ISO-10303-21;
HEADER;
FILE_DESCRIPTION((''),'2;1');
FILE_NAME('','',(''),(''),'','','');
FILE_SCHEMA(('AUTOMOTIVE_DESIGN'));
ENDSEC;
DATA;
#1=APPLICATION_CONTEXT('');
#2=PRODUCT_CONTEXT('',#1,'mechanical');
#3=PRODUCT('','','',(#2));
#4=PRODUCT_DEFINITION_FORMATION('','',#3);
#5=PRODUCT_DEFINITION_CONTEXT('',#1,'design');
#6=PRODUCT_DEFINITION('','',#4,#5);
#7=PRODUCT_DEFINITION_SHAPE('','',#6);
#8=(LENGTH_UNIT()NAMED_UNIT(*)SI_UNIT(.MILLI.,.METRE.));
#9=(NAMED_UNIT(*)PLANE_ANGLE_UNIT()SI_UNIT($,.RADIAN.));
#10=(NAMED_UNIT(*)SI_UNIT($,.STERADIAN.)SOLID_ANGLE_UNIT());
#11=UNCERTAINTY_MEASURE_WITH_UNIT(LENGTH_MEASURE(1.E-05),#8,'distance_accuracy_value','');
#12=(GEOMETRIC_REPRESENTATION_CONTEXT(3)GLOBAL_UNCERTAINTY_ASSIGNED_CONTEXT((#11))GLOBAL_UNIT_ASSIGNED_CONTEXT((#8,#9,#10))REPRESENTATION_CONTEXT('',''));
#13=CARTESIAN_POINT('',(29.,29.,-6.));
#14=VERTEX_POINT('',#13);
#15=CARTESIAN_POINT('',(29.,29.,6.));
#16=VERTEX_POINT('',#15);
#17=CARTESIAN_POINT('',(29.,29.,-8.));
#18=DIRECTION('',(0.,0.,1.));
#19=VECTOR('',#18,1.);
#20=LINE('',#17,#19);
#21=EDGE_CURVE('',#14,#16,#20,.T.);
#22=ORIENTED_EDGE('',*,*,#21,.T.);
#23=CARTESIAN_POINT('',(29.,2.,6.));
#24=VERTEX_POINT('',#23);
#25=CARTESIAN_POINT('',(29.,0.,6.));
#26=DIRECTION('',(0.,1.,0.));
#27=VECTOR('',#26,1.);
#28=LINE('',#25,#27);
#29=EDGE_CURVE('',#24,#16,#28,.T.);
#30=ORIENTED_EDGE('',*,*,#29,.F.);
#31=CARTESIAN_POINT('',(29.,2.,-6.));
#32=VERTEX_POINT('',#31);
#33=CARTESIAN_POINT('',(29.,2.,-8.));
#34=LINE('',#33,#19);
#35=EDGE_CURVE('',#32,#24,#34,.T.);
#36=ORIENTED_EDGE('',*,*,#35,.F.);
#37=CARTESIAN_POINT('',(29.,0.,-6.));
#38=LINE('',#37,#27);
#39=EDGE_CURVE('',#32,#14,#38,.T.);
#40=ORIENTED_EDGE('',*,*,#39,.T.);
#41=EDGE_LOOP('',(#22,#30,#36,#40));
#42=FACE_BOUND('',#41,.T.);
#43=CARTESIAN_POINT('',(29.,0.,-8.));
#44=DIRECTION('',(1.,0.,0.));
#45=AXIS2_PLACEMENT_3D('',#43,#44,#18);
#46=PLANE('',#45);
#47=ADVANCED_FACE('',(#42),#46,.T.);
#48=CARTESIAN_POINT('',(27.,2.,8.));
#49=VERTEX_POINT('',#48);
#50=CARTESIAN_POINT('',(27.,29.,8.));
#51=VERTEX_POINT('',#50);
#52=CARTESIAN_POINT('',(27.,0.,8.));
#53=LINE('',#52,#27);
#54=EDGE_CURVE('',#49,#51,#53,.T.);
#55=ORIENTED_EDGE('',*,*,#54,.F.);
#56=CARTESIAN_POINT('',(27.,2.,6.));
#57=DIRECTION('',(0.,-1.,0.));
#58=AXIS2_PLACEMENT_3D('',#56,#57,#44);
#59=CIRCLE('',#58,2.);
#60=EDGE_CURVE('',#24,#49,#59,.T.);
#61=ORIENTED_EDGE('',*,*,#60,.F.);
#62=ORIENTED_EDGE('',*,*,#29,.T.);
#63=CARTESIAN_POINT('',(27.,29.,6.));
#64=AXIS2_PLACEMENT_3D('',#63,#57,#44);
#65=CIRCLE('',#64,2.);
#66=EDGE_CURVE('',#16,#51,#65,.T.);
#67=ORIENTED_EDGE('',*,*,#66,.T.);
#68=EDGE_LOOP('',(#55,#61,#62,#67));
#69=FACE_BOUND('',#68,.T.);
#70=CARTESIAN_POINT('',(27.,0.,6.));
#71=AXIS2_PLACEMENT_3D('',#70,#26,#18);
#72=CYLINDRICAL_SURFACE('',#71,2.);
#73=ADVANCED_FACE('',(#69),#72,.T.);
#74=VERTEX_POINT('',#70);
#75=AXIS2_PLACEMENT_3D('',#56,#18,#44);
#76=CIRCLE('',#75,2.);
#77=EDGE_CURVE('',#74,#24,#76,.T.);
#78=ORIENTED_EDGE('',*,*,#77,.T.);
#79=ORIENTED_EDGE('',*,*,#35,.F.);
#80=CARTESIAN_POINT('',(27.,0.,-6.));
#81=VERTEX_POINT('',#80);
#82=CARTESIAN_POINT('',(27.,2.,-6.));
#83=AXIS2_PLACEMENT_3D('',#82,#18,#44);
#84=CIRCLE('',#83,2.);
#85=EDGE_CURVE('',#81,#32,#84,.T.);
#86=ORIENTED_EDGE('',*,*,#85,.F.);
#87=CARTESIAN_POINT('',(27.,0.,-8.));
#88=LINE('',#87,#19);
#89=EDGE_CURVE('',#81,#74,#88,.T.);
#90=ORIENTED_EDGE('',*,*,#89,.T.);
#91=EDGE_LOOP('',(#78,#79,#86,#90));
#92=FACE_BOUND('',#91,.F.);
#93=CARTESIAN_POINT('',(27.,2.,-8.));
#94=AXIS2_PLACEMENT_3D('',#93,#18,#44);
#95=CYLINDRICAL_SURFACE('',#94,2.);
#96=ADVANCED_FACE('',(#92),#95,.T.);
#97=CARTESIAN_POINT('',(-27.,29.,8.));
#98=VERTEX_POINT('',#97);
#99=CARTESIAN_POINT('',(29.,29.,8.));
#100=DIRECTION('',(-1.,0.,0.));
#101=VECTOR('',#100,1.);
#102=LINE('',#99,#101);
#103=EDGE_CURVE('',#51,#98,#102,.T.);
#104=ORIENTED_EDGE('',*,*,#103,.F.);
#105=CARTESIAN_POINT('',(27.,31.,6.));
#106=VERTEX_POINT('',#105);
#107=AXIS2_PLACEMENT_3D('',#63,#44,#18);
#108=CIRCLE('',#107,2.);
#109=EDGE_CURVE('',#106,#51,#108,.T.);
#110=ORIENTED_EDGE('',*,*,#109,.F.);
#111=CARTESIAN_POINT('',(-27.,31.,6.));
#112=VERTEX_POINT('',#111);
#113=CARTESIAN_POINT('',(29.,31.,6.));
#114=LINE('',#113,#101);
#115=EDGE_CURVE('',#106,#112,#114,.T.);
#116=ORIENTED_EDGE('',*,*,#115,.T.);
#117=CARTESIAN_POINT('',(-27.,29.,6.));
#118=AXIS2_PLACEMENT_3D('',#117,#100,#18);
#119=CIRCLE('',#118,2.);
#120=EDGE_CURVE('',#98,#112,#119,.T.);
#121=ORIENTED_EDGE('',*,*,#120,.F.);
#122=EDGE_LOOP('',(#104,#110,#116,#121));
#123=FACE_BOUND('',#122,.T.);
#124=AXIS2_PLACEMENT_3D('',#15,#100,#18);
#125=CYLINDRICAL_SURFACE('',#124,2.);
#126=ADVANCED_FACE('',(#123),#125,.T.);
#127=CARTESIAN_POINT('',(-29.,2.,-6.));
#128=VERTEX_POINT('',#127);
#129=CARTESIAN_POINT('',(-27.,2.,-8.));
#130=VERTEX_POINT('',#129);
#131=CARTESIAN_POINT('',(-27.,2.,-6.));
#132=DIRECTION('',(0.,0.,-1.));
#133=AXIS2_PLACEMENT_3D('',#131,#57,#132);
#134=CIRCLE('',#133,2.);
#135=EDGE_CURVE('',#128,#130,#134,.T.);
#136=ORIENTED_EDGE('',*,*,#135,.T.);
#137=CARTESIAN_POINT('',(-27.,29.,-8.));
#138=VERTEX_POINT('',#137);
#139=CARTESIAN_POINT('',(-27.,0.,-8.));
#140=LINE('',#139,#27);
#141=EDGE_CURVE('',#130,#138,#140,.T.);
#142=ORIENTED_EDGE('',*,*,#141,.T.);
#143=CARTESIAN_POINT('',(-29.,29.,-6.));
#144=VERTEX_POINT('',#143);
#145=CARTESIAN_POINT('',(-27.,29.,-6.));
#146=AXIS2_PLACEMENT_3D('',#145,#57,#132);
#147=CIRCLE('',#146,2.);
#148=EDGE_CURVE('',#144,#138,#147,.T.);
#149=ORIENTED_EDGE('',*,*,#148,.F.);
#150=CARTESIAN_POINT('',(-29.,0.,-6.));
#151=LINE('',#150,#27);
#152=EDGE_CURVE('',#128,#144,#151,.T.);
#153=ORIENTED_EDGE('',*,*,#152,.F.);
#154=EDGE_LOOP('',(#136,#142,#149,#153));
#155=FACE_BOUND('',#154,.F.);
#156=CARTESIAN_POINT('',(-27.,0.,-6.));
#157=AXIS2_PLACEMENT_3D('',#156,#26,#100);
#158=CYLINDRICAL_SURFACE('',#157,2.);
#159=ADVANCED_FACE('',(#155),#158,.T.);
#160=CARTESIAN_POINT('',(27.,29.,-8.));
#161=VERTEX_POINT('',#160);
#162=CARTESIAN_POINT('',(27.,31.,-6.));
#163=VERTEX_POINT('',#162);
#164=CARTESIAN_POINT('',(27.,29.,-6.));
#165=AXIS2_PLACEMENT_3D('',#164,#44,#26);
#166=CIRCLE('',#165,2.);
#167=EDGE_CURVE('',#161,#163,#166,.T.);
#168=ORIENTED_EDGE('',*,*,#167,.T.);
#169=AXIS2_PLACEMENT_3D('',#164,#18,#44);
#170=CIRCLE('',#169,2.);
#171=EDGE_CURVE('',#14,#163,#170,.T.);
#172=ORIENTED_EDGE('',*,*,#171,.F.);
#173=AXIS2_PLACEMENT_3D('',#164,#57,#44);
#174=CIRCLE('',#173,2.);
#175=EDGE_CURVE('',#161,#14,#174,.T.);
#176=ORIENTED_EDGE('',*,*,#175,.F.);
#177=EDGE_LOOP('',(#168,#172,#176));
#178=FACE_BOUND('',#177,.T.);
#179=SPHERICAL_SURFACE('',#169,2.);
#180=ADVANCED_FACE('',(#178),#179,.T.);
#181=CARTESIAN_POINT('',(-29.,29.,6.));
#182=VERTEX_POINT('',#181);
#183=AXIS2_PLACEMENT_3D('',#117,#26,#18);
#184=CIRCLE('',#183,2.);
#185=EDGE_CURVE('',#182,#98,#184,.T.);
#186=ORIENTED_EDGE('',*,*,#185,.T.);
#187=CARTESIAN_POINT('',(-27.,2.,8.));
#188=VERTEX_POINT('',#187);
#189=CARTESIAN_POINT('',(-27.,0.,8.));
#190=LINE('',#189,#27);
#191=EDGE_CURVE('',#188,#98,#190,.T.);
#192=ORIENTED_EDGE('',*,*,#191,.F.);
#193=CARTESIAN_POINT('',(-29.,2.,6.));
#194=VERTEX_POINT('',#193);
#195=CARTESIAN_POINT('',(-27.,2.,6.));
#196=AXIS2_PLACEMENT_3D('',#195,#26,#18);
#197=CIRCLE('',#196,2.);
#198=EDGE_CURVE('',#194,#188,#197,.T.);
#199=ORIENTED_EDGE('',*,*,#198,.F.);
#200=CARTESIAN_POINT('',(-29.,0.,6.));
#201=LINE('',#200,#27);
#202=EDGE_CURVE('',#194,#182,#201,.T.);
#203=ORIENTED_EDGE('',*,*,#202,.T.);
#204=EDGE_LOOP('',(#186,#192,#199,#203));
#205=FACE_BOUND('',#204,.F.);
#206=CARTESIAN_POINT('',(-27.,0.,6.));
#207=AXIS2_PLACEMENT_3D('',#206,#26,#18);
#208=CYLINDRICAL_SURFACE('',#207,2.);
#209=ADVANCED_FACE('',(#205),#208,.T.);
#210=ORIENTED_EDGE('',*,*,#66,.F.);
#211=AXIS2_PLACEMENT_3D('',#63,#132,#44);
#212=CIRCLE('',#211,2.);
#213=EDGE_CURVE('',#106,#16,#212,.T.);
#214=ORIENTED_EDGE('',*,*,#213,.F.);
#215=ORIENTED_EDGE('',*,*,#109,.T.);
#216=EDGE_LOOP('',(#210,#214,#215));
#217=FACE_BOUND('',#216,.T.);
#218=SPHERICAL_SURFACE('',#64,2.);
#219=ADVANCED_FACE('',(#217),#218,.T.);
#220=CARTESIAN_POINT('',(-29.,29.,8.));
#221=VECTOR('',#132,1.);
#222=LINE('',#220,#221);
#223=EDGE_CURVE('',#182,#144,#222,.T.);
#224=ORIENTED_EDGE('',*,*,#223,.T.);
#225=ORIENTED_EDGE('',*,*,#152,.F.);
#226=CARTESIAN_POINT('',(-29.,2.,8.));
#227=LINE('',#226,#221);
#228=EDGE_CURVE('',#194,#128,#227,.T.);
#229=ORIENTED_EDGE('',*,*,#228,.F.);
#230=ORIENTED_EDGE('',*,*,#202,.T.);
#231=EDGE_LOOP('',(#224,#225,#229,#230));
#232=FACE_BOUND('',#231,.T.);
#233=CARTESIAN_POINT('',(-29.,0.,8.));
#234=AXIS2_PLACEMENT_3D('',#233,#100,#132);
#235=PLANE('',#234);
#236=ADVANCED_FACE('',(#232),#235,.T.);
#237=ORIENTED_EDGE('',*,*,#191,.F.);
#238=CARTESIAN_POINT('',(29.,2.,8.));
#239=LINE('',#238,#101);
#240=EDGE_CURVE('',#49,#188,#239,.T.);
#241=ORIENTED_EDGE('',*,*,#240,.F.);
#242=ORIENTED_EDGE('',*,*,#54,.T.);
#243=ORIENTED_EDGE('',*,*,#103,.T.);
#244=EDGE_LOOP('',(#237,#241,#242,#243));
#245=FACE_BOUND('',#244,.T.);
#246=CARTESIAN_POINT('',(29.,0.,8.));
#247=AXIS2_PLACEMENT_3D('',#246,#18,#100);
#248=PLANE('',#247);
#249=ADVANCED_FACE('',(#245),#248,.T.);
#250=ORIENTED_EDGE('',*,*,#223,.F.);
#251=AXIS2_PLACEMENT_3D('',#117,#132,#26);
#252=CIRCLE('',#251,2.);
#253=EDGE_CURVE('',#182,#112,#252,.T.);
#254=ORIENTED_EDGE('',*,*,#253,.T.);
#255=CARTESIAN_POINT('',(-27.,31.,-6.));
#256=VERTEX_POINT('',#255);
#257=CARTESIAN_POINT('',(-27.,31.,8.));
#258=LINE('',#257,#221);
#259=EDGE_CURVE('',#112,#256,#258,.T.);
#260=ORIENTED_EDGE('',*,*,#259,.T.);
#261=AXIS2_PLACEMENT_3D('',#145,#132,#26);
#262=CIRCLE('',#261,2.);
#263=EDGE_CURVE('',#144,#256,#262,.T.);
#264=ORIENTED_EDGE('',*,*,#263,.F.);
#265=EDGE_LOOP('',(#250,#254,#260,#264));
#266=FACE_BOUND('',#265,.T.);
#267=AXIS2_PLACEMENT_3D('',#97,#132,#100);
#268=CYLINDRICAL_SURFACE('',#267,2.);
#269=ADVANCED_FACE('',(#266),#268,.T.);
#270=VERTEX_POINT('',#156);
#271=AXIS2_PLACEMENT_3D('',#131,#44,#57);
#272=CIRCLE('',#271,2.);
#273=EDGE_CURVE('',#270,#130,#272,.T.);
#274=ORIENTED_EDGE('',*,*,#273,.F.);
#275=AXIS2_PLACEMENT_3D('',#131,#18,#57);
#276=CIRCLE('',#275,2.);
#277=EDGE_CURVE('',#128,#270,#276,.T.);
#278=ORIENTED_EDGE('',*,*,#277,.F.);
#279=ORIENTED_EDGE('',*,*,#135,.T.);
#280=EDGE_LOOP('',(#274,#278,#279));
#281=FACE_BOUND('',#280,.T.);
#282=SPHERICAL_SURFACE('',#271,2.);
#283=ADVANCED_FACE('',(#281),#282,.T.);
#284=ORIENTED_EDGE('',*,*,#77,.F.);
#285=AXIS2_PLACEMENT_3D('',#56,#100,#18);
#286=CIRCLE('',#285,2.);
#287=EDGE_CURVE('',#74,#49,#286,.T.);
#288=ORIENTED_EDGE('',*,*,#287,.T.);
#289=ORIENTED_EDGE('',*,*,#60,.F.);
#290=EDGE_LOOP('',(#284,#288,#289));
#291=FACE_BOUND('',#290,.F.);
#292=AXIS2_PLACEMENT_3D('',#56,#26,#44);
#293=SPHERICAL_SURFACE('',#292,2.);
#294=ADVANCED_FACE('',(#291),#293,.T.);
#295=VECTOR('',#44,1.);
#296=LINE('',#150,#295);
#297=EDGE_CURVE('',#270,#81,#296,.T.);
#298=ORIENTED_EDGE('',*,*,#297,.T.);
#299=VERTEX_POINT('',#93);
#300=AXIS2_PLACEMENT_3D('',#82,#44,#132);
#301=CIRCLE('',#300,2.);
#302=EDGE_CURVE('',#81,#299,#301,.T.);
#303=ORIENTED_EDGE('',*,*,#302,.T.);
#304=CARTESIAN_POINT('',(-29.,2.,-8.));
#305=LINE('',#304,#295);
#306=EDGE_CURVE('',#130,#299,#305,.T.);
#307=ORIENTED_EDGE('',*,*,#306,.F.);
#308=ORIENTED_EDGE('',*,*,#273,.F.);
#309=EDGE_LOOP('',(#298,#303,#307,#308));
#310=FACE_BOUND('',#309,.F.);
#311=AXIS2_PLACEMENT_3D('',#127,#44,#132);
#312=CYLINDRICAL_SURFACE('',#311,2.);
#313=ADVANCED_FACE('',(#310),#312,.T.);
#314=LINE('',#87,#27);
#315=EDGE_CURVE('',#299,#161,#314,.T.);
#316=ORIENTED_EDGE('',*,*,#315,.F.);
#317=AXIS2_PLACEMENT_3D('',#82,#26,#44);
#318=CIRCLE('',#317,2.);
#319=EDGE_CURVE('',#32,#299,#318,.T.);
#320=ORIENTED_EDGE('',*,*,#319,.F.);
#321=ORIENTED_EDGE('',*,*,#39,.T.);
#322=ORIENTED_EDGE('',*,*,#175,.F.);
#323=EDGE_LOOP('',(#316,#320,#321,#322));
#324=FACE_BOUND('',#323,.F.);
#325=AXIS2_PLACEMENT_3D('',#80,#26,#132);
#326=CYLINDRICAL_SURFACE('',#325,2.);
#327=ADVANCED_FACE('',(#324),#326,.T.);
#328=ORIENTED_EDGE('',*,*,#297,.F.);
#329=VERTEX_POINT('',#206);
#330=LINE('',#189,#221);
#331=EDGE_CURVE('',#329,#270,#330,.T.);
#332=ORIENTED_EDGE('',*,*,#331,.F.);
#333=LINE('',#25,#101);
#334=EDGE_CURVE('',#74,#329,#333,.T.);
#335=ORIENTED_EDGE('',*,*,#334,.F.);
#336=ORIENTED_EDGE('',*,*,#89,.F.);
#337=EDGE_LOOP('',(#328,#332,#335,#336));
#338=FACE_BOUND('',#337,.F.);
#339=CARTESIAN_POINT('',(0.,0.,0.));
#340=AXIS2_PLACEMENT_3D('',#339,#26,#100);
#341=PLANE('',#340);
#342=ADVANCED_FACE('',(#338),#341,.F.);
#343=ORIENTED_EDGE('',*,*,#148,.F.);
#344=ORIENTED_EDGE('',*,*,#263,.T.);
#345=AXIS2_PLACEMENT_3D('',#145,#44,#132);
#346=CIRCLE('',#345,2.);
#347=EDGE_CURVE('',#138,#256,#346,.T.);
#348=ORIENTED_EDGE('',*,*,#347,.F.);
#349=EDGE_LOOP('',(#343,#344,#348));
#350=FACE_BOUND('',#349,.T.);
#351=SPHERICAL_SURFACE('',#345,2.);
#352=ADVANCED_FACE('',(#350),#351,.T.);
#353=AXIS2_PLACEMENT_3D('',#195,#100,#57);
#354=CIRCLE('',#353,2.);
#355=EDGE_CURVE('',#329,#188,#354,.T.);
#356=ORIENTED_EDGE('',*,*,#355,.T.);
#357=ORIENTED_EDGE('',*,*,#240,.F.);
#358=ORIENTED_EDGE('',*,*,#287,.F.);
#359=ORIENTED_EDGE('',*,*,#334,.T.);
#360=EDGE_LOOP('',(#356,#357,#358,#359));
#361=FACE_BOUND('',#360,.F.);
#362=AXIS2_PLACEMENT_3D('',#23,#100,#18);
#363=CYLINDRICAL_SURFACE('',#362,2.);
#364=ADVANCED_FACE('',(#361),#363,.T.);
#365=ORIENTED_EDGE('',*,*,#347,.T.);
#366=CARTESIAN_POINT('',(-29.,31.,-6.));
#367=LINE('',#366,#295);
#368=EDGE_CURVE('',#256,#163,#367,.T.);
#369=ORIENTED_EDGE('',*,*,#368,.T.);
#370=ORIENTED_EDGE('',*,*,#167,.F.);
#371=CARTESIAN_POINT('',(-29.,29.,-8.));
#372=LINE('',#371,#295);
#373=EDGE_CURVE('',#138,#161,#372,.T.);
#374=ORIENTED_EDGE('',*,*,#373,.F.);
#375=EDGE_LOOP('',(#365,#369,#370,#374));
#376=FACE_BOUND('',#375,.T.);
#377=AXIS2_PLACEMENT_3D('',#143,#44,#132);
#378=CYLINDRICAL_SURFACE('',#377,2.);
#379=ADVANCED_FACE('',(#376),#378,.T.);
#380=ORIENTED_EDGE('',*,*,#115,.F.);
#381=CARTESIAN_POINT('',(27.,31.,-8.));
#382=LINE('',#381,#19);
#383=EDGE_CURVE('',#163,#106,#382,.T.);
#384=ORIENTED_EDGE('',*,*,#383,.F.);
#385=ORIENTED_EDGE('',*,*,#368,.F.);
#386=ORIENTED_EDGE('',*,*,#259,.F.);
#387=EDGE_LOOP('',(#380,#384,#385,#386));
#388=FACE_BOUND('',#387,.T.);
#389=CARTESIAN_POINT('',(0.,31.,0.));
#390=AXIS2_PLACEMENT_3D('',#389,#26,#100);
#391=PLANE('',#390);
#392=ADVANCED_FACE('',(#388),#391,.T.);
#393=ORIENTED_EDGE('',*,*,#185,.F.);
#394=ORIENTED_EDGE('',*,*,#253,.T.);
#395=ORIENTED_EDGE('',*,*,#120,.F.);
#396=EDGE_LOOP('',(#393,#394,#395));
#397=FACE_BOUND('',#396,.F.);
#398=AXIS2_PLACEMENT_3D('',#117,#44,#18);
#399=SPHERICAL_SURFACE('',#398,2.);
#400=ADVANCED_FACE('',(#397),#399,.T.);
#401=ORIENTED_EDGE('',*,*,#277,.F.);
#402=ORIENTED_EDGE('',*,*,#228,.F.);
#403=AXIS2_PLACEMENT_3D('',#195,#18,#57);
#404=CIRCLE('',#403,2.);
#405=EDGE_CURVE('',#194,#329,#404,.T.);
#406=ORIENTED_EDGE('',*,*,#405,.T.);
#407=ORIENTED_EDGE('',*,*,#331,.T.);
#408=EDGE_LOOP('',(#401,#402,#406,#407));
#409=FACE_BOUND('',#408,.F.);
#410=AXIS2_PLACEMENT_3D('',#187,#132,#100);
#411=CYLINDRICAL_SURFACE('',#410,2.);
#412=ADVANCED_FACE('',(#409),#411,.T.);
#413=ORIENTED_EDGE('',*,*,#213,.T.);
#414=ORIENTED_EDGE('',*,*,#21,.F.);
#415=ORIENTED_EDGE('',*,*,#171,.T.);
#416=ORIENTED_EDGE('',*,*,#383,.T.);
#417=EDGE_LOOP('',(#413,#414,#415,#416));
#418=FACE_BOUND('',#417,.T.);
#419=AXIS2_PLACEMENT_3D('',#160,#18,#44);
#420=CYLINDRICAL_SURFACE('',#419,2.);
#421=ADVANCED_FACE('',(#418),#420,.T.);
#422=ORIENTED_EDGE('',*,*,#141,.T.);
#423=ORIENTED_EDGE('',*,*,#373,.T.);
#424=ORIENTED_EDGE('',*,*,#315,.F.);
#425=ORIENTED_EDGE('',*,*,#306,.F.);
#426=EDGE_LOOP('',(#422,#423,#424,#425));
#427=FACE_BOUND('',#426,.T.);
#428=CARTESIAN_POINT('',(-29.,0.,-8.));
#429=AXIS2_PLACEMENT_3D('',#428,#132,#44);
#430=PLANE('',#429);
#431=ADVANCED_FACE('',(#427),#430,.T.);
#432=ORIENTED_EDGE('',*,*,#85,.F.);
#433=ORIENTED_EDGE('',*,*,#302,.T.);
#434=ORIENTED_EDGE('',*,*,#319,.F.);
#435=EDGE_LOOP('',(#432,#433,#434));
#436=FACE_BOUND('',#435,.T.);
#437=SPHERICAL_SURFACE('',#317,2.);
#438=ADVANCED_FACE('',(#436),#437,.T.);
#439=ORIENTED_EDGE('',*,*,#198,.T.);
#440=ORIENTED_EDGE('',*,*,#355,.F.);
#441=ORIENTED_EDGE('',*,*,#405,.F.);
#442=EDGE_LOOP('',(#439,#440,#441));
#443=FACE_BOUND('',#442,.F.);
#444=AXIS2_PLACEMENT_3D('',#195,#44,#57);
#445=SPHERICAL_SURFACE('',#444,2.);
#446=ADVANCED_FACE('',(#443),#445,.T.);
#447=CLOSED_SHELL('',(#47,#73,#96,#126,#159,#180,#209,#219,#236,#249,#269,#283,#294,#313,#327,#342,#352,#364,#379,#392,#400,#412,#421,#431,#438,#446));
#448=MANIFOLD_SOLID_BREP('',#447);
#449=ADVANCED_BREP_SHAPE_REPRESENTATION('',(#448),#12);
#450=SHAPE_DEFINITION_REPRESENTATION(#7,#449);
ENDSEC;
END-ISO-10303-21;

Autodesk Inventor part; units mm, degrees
ref_plane "YZ Plane" through (0, 0, 0) normal (1, 0, 0) x (0, 1, 0)
ref_plane "XZ Plane" through (0, 0, 0) normal (0, 1, 0) x (-1, 0, 0)
ref_plane "XY Plane" through (0, 0, 0) normal (0, 0, 1) x (1, 0, 0)
sketch "Esboço1" plane through (0, 0, 0) normal (0, 1, 0) x (-1, 0, 0)
  line L0 (-29, 8) -> (29, 8)
  line L1 (29, 8) -> (29, -8)
  line L2 (29, -8) -> (-29, -8)
  line L3 (-29, -8) -> (-29, 8)
  line L4 (-29, 8) -> (29, -8) construction
  line L5 (29, 8) -> (-29, -8) construction
  point P0 (0, 0)
  dimension "d0" = 58
  dimension "d1" = 16
extrude "Extrusão1" add sketch "Esboço1" along normal blind 31
fillet "Arredondamento1" radius 2 12 edges at (29, 15.5, 8) (29, 31, 0) (0, 31, 8) (29, 15.5, -8) (0, 31, -8) (29, 0, 0) (0, 0, 8) (0, 0, -8) (-29, 0, 0) (-29, 15.5, -8) (-29, 15.5, 8) (-29, 31, 0)
properties part number "Bateria 3S 650mAh"
